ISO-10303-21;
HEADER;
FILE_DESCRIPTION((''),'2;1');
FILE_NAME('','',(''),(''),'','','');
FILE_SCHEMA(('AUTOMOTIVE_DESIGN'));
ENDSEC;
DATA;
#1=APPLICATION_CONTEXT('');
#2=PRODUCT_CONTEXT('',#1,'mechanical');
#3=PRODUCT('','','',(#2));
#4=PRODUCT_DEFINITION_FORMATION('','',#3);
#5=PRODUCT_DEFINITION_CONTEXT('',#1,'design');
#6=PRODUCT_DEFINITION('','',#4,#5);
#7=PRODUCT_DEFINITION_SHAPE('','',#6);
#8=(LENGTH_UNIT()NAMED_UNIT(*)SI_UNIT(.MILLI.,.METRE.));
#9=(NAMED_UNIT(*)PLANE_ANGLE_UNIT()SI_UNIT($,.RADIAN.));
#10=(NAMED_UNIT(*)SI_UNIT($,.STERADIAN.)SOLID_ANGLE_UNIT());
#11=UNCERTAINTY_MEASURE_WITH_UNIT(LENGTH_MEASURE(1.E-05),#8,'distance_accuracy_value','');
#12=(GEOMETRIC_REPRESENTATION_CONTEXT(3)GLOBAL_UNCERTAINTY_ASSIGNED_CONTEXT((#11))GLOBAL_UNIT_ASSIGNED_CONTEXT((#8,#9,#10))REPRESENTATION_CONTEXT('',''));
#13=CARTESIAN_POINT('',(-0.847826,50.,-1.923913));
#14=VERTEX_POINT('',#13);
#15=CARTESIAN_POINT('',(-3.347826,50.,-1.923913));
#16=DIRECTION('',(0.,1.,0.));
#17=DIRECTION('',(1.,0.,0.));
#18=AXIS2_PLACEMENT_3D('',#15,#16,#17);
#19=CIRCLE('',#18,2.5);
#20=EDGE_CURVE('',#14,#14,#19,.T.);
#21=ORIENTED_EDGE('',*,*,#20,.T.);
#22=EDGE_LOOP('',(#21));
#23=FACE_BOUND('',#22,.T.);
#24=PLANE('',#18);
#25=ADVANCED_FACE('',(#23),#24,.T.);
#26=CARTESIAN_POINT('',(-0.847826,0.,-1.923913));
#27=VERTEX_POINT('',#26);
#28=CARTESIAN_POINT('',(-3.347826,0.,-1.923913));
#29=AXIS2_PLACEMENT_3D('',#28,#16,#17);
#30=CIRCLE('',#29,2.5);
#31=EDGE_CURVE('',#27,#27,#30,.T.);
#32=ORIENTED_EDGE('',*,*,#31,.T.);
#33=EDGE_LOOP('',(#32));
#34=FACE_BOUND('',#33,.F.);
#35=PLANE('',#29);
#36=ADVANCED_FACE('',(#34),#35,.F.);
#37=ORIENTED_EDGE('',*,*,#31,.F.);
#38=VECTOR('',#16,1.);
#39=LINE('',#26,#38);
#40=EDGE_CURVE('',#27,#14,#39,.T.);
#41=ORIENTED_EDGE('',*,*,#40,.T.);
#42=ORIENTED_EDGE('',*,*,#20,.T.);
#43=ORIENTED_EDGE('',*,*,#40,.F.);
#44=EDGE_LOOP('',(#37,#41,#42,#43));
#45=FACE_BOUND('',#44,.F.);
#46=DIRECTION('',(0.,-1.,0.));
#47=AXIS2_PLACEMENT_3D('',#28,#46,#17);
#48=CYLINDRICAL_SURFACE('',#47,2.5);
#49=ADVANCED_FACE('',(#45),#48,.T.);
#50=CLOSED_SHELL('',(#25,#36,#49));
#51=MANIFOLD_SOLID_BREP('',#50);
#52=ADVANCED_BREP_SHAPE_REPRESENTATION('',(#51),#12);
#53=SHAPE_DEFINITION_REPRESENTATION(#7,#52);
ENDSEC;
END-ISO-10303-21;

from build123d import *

# Parameters (mm, degrees)
SKETCH_1_R      = 2.5
EXTRUDE_1_DEPTH = 50


with BuildPart() as part:
    # Эскиз1 → Бобышка-Вытянуть1 (new body)
    with BuildSketch(Plane(origin=(0, 0, 0), x_dir=(1, 0, 0), z_dir=(0, 1, 0))):
        with Locations((-3.347826087, 1.923913043)):
            Circle(SKETCH_1_R)
    extrude(amount=EXTRUDE_1_DEPTH)


solid = part.part
